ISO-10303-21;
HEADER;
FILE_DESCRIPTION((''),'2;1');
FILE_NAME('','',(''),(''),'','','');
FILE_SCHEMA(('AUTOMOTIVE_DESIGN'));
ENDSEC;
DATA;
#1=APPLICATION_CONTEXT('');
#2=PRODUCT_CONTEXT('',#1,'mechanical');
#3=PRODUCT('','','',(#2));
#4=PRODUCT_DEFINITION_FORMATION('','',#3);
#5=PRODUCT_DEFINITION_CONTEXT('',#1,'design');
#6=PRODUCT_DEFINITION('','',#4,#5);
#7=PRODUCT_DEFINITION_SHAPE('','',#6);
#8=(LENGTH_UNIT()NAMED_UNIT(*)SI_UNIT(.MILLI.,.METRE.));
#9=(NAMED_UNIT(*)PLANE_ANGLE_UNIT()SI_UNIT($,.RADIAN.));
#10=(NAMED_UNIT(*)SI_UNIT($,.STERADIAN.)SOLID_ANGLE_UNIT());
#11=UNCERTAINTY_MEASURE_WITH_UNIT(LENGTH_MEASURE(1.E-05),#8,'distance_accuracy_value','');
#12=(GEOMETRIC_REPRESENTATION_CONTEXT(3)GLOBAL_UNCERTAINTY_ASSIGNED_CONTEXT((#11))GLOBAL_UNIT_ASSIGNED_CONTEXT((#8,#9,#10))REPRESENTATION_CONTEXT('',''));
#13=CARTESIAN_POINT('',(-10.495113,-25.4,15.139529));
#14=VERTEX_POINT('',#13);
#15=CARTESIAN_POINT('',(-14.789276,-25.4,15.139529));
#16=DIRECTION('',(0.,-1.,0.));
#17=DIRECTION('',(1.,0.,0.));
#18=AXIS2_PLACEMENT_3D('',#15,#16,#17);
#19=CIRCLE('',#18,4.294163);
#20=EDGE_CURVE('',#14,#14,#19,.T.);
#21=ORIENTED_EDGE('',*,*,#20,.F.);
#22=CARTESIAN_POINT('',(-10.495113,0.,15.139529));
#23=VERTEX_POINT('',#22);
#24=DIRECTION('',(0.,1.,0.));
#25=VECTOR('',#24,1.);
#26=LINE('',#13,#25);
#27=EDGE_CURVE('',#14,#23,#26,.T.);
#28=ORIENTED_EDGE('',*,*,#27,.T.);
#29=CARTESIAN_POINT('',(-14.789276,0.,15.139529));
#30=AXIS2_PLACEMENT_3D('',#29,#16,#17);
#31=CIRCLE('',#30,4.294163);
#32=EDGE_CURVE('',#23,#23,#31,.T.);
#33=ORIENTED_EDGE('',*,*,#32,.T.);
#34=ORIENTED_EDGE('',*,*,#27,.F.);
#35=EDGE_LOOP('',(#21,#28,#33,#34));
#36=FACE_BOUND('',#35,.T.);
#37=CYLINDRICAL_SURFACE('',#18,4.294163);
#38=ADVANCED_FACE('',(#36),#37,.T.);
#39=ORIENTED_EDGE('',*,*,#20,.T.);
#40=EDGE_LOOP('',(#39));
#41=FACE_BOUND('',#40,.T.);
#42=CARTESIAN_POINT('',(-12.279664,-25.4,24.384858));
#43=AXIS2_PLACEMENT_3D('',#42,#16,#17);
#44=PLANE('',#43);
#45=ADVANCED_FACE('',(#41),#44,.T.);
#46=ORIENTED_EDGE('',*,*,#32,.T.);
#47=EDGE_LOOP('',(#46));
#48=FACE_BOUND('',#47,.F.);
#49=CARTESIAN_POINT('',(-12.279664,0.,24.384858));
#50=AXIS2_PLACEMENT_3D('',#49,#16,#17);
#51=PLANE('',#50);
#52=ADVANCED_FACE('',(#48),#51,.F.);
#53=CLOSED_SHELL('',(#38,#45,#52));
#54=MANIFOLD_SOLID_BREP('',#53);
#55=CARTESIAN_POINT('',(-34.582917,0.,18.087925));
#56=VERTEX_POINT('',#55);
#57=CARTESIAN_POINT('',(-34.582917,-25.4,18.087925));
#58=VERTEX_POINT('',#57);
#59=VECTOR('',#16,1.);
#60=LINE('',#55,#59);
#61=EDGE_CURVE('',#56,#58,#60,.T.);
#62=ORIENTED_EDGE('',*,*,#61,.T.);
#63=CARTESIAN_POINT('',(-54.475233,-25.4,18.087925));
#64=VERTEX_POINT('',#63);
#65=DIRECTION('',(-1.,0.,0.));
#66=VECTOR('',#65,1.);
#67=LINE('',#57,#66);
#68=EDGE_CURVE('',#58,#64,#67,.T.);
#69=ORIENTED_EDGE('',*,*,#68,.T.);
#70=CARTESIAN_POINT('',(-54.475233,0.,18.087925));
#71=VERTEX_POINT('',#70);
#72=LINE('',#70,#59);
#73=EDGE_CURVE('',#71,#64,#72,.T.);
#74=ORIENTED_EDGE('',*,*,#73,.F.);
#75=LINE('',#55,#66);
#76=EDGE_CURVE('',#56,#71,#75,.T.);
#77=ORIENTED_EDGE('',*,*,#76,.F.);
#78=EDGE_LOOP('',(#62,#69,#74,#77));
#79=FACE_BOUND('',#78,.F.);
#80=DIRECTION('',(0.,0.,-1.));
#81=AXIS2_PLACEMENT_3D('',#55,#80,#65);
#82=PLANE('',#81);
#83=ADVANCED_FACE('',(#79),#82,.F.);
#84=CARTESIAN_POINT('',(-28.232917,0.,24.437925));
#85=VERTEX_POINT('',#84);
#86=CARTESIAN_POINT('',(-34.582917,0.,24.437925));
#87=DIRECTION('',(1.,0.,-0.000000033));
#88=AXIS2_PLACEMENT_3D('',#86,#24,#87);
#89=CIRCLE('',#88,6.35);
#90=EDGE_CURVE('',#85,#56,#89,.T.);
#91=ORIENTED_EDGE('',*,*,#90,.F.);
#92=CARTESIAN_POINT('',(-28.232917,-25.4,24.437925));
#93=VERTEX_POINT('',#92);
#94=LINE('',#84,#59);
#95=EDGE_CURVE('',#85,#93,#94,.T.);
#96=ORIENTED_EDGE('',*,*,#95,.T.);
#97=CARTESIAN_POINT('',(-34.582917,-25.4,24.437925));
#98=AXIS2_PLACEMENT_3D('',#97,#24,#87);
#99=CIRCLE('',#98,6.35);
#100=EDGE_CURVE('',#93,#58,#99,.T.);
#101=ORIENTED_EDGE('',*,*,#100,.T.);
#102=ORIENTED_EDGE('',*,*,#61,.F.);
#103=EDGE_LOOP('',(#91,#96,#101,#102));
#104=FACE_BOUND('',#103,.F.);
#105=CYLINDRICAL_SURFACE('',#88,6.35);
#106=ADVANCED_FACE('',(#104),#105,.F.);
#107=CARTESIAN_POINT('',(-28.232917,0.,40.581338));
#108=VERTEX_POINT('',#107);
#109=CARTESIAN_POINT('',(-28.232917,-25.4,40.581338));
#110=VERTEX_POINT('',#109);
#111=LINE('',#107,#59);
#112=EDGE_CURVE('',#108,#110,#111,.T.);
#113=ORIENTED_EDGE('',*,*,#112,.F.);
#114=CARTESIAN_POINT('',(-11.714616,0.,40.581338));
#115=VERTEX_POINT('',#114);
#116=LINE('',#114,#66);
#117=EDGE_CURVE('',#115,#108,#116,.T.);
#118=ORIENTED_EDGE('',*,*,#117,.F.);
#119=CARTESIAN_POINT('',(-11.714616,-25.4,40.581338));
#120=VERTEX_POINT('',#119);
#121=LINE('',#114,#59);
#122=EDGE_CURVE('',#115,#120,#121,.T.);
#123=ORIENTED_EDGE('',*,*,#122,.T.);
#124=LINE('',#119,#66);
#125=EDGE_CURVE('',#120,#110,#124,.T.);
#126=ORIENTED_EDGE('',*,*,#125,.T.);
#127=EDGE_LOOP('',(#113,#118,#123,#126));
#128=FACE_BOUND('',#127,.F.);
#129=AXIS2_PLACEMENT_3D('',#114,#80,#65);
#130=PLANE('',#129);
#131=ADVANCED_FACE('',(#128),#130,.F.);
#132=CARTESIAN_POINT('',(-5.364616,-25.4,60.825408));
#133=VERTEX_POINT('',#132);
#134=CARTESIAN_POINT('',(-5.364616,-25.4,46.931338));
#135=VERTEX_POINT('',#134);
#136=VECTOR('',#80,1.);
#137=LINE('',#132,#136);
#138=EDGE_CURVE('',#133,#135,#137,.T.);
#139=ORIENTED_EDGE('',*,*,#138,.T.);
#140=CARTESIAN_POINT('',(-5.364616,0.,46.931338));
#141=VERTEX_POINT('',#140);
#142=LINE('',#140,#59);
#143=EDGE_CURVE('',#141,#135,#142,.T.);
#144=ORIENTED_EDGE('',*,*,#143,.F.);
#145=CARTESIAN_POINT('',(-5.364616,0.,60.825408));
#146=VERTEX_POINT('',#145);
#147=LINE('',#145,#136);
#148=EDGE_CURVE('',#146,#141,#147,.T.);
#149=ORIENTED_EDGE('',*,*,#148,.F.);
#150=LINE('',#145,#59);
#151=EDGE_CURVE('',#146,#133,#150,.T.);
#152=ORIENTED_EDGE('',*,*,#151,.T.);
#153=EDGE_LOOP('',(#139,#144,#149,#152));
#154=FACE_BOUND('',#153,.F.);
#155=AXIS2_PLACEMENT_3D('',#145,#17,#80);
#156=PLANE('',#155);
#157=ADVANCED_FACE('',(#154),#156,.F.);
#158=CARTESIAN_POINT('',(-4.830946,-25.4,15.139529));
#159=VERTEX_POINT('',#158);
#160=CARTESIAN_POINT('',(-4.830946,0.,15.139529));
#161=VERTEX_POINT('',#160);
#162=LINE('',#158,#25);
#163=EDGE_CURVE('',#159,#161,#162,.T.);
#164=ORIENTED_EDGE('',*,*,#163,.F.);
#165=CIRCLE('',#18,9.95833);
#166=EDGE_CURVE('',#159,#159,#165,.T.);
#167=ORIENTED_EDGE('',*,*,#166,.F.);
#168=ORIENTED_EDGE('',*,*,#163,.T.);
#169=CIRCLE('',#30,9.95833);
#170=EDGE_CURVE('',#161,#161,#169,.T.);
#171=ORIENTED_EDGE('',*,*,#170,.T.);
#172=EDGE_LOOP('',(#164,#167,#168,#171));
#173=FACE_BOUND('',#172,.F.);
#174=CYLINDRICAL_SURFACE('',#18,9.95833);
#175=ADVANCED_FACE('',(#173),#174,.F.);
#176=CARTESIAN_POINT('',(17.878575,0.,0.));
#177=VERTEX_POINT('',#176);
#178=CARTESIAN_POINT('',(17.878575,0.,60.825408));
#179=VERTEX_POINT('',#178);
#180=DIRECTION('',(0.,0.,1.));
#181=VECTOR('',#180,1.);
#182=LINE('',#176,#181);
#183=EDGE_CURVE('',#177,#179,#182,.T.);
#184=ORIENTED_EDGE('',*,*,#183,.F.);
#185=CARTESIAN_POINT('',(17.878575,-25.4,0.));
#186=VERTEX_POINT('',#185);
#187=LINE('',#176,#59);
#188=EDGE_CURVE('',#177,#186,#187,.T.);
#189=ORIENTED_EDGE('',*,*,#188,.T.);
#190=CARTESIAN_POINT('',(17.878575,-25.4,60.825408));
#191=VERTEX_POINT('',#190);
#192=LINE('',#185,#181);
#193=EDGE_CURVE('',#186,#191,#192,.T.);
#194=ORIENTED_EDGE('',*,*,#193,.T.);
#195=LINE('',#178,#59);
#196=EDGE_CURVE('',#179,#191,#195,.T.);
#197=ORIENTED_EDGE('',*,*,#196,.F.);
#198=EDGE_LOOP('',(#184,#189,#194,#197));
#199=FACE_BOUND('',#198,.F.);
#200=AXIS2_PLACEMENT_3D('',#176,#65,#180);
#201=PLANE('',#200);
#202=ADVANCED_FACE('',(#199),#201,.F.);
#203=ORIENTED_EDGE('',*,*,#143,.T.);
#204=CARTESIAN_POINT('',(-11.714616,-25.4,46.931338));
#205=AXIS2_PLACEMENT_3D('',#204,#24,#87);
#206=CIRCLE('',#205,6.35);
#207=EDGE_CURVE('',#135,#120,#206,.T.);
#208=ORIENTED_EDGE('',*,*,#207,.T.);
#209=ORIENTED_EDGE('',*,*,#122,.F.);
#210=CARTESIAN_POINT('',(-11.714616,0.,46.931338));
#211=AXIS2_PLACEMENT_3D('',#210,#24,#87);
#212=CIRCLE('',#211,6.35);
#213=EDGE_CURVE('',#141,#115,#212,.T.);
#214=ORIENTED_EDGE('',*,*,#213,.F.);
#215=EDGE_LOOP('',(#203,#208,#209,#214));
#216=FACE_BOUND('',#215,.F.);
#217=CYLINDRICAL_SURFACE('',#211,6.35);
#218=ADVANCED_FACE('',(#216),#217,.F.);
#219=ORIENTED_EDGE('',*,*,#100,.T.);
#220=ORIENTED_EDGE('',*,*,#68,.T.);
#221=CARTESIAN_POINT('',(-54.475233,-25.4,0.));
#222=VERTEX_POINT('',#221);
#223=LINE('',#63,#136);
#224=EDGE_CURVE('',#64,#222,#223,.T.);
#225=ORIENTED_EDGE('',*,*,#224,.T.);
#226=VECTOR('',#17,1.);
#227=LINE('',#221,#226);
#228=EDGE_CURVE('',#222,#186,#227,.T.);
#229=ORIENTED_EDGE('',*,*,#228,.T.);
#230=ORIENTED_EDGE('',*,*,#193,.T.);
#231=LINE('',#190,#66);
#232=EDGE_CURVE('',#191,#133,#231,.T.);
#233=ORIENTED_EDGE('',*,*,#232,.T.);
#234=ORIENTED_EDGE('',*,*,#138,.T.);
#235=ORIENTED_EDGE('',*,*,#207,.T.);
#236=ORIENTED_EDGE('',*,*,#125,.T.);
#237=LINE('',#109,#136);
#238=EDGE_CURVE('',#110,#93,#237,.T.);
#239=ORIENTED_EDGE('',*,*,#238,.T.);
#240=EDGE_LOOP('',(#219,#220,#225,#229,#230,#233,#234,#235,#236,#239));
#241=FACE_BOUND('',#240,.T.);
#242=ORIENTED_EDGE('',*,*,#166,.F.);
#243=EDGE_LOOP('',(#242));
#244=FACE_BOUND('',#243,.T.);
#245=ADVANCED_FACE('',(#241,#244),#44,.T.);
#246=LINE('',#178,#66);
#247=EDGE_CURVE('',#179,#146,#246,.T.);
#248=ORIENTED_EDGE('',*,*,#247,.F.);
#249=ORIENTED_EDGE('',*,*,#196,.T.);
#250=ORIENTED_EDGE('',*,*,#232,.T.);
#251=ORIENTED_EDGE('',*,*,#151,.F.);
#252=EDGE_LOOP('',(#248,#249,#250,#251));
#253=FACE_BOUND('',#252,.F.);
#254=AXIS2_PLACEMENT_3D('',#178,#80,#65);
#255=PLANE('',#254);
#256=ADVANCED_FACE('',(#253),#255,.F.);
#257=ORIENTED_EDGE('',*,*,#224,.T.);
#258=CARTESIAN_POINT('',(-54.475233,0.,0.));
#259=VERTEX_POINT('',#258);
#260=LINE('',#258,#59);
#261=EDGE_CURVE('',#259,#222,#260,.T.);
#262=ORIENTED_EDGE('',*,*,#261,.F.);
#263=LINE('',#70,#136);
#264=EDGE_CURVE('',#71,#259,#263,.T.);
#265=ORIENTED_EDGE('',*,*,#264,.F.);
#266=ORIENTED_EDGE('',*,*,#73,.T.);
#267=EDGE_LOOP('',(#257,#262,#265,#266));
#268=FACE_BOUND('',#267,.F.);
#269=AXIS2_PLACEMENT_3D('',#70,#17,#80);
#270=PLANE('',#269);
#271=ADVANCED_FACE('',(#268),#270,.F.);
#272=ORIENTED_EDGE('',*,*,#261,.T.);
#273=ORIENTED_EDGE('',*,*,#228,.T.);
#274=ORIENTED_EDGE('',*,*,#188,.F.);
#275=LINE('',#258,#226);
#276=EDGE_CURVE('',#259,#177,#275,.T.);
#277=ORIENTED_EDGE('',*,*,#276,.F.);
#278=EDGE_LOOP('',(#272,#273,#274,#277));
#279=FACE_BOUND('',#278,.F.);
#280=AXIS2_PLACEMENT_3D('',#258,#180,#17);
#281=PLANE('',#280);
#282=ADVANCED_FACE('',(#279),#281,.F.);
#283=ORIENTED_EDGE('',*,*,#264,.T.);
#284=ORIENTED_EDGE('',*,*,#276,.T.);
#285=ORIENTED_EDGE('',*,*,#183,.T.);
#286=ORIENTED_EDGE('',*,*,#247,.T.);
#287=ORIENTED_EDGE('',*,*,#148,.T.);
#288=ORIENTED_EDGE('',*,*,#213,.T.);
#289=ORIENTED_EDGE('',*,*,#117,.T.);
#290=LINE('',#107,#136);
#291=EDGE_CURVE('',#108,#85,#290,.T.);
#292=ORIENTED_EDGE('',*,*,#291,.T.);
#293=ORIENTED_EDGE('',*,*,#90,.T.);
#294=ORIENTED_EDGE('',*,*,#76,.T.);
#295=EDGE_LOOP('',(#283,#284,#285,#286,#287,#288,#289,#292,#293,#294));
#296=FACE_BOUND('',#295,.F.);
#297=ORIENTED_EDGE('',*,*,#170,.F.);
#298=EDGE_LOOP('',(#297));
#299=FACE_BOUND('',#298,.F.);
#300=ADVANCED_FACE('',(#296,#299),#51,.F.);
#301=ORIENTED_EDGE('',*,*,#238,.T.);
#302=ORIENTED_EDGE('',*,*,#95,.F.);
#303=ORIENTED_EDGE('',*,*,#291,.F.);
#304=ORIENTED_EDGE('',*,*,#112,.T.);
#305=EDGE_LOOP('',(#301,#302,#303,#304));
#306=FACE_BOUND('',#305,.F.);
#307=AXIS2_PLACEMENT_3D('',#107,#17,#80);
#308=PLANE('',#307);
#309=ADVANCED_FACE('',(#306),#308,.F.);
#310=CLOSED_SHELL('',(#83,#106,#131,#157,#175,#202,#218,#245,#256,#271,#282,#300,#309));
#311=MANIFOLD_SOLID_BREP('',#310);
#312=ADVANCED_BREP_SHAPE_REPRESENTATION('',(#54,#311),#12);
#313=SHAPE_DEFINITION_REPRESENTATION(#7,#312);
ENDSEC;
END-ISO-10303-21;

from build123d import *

# Parameters (mm, degrees)
F1_DEPTH = 25.4
F2_R     = 9.95833
F2_R_2   = 4.294163
F3_DEPTH = 45.6


with BuildPart() as f1:
    # F0 (on Front) → F1 (new body)
    with BuildSketch(Plane.XZ):
        with BuildLine():
            Line((-54.475233, 18.087925), (-54.475233, 0))
            Line((-54.475233, 0), (17.878575, 0))
            Line((17.878575, 0), (17.878575, 58.950953))
            Line((17.878575, 58.950953), (17.878575, 60.825408))
            Line((17.878575, 60.825408), (-5.364616, 60.825408))
            Line((-5.364616, 60.825408), (-5.364616, 46.931338))
            ThreePointArc((-5.364616, 46.931338), (-7.224488, 42.44121), (-11.714616, 40.581338))
            Line((-11.714616, 40.581338), (-27.483137, 40.581338))
            Line((-27.483137, 40.581338), (-28.232917, 40.581338))
            Line((-28.232917, 40.581338), (-28.232917, 24.437925))
            ThreePointArc((-28.232917, 24.437925), (-30.092789, 19.947797), (-34.582917, 18.087925))
            Line((-34.582917, 18.087925), (-54.475233, 18.087925))
        make_face()
    extrude(amount=F1_DEPTH)

    # F2 (on face) → F3 (cut)
    with BuildSketch(Plane.XZ.offset(25.4)):
        with Locations((-14.789276, 15.139529)):
            Circle(F2_R)
        with Locations((-14.789276, 15.139529)):
            Circle(F2_R_2, mode=Mode.SUBTRACT)
    extrude(amount=-F3_DEPTH, mode=Mode.SUBTRACT)


solid = f1.part
